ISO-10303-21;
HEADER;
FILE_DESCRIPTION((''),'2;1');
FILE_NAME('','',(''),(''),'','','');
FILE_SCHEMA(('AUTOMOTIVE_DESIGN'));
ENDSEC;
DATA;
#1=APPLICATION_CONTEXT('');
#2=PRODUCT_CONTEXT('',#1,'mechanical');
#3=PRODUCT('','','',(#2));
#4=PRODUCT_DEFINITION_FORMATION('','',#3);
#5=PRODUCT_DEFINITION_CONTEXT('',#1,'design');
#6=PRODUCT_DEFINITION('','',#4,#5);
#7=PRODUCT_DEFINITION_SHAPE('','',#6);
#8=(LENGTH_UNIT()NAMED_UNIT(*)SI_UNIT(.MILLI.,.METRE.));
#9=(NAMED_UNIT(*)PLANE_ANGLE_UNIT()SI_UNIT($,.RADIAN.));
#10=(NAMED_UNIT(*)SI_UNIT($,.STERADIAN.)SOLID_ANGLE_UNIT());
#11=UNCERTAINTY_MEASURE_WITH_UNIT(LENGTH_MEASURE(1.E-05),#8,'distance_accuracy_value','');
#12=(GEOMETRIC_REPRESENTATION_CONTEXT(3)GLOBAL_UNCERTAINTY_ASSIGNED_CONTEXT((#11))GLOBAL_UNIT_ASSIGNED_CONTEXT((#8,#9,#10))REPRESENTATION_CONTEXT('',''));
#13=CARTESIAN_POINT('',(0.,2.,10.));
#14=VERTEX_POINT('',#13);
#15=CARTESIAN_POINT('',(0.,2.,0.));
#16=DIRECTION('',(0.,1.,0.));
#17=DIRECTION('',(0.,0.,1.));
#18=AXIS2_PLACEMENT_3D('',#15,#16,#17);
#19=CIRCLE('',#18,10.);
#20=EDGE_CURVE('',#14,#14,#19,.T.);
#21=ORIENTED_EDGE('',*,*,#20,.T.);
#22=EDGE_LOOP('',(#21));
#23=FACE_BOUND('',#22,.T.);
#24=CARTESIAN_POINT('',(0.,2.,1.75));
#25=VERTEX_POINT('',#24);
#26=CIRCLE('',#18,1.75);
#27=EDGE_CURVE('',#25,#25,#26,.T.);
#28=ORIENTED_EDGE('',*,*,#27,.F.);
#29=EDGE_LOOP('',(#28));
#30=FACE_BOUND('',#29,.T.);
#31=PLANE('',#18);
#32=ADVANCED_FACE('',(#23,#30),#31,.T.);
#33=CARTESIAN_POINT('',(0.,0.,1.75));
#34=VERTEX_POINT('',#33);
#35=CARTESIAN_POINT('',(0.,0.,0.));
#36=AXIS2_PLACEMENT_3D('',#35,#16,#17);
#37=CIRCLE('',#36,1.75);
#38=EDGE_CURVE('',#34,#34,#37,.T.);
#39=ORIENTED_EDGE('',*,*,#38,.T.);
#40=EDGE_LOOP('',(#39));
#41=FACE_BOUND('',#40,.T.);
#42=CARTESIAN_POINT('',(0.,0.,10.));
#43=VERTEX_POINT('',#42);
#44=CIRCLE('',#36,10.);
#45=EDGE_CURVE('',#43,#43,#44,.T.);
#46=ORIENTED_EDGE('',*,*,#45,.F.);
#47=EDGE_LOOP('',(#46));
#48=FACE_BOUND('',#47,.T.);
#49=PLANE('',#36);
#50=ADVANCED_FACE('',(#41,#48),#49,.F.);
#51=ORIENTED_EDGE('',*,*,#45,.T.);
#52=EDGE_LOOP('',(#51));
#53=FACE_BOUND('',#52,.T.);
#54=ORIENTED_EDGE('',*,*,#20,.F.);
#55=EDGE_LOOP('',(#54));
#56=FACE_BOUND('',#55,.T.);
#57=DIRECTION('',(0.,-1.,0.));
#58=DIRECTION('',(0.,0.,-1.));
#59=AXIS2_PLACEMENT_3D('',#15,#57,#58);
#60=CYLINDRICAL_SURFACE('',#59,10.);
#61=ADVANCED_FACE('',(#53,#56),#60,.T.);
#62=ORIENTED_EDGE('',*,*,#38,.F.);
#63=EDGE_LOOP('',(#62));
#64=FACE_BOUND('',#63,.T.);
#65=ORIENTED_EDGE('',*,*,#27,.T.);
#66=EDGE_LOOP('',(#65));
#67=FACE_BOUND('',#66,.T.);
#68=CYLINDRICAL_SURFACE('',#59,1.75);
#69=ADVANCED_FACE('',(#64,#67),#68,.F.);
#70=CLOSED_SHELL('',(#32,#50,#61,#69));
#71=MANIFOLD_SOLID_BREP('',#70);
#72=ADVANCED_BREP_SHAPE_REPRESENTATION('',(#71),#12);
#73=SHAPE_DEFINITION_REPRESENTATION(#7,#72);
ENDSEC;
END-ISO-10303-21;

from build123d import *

# Parameters (mm, degrees)
SKETCH2_R           = 10
SKETCH2_R_2         = 1.75
BOSS_EXTRUDE1_DEPTH = 2


with BuildPart() as part:
    # Sketch2 → Boss-Extrude1 (new body)
    with BuildSketch(Plane(origin=(0, 0, 0), x_dir=(1, 0, 0), z_dir=(0, 1, 0))):
        Circle(SKETCH2_R)
        Circle(SKETCH2_R_2, mode=Mode.SUBTRACT)
    extrude(amount=BOSS_EXTRUDE1_DEPTH)


solid = part.part
